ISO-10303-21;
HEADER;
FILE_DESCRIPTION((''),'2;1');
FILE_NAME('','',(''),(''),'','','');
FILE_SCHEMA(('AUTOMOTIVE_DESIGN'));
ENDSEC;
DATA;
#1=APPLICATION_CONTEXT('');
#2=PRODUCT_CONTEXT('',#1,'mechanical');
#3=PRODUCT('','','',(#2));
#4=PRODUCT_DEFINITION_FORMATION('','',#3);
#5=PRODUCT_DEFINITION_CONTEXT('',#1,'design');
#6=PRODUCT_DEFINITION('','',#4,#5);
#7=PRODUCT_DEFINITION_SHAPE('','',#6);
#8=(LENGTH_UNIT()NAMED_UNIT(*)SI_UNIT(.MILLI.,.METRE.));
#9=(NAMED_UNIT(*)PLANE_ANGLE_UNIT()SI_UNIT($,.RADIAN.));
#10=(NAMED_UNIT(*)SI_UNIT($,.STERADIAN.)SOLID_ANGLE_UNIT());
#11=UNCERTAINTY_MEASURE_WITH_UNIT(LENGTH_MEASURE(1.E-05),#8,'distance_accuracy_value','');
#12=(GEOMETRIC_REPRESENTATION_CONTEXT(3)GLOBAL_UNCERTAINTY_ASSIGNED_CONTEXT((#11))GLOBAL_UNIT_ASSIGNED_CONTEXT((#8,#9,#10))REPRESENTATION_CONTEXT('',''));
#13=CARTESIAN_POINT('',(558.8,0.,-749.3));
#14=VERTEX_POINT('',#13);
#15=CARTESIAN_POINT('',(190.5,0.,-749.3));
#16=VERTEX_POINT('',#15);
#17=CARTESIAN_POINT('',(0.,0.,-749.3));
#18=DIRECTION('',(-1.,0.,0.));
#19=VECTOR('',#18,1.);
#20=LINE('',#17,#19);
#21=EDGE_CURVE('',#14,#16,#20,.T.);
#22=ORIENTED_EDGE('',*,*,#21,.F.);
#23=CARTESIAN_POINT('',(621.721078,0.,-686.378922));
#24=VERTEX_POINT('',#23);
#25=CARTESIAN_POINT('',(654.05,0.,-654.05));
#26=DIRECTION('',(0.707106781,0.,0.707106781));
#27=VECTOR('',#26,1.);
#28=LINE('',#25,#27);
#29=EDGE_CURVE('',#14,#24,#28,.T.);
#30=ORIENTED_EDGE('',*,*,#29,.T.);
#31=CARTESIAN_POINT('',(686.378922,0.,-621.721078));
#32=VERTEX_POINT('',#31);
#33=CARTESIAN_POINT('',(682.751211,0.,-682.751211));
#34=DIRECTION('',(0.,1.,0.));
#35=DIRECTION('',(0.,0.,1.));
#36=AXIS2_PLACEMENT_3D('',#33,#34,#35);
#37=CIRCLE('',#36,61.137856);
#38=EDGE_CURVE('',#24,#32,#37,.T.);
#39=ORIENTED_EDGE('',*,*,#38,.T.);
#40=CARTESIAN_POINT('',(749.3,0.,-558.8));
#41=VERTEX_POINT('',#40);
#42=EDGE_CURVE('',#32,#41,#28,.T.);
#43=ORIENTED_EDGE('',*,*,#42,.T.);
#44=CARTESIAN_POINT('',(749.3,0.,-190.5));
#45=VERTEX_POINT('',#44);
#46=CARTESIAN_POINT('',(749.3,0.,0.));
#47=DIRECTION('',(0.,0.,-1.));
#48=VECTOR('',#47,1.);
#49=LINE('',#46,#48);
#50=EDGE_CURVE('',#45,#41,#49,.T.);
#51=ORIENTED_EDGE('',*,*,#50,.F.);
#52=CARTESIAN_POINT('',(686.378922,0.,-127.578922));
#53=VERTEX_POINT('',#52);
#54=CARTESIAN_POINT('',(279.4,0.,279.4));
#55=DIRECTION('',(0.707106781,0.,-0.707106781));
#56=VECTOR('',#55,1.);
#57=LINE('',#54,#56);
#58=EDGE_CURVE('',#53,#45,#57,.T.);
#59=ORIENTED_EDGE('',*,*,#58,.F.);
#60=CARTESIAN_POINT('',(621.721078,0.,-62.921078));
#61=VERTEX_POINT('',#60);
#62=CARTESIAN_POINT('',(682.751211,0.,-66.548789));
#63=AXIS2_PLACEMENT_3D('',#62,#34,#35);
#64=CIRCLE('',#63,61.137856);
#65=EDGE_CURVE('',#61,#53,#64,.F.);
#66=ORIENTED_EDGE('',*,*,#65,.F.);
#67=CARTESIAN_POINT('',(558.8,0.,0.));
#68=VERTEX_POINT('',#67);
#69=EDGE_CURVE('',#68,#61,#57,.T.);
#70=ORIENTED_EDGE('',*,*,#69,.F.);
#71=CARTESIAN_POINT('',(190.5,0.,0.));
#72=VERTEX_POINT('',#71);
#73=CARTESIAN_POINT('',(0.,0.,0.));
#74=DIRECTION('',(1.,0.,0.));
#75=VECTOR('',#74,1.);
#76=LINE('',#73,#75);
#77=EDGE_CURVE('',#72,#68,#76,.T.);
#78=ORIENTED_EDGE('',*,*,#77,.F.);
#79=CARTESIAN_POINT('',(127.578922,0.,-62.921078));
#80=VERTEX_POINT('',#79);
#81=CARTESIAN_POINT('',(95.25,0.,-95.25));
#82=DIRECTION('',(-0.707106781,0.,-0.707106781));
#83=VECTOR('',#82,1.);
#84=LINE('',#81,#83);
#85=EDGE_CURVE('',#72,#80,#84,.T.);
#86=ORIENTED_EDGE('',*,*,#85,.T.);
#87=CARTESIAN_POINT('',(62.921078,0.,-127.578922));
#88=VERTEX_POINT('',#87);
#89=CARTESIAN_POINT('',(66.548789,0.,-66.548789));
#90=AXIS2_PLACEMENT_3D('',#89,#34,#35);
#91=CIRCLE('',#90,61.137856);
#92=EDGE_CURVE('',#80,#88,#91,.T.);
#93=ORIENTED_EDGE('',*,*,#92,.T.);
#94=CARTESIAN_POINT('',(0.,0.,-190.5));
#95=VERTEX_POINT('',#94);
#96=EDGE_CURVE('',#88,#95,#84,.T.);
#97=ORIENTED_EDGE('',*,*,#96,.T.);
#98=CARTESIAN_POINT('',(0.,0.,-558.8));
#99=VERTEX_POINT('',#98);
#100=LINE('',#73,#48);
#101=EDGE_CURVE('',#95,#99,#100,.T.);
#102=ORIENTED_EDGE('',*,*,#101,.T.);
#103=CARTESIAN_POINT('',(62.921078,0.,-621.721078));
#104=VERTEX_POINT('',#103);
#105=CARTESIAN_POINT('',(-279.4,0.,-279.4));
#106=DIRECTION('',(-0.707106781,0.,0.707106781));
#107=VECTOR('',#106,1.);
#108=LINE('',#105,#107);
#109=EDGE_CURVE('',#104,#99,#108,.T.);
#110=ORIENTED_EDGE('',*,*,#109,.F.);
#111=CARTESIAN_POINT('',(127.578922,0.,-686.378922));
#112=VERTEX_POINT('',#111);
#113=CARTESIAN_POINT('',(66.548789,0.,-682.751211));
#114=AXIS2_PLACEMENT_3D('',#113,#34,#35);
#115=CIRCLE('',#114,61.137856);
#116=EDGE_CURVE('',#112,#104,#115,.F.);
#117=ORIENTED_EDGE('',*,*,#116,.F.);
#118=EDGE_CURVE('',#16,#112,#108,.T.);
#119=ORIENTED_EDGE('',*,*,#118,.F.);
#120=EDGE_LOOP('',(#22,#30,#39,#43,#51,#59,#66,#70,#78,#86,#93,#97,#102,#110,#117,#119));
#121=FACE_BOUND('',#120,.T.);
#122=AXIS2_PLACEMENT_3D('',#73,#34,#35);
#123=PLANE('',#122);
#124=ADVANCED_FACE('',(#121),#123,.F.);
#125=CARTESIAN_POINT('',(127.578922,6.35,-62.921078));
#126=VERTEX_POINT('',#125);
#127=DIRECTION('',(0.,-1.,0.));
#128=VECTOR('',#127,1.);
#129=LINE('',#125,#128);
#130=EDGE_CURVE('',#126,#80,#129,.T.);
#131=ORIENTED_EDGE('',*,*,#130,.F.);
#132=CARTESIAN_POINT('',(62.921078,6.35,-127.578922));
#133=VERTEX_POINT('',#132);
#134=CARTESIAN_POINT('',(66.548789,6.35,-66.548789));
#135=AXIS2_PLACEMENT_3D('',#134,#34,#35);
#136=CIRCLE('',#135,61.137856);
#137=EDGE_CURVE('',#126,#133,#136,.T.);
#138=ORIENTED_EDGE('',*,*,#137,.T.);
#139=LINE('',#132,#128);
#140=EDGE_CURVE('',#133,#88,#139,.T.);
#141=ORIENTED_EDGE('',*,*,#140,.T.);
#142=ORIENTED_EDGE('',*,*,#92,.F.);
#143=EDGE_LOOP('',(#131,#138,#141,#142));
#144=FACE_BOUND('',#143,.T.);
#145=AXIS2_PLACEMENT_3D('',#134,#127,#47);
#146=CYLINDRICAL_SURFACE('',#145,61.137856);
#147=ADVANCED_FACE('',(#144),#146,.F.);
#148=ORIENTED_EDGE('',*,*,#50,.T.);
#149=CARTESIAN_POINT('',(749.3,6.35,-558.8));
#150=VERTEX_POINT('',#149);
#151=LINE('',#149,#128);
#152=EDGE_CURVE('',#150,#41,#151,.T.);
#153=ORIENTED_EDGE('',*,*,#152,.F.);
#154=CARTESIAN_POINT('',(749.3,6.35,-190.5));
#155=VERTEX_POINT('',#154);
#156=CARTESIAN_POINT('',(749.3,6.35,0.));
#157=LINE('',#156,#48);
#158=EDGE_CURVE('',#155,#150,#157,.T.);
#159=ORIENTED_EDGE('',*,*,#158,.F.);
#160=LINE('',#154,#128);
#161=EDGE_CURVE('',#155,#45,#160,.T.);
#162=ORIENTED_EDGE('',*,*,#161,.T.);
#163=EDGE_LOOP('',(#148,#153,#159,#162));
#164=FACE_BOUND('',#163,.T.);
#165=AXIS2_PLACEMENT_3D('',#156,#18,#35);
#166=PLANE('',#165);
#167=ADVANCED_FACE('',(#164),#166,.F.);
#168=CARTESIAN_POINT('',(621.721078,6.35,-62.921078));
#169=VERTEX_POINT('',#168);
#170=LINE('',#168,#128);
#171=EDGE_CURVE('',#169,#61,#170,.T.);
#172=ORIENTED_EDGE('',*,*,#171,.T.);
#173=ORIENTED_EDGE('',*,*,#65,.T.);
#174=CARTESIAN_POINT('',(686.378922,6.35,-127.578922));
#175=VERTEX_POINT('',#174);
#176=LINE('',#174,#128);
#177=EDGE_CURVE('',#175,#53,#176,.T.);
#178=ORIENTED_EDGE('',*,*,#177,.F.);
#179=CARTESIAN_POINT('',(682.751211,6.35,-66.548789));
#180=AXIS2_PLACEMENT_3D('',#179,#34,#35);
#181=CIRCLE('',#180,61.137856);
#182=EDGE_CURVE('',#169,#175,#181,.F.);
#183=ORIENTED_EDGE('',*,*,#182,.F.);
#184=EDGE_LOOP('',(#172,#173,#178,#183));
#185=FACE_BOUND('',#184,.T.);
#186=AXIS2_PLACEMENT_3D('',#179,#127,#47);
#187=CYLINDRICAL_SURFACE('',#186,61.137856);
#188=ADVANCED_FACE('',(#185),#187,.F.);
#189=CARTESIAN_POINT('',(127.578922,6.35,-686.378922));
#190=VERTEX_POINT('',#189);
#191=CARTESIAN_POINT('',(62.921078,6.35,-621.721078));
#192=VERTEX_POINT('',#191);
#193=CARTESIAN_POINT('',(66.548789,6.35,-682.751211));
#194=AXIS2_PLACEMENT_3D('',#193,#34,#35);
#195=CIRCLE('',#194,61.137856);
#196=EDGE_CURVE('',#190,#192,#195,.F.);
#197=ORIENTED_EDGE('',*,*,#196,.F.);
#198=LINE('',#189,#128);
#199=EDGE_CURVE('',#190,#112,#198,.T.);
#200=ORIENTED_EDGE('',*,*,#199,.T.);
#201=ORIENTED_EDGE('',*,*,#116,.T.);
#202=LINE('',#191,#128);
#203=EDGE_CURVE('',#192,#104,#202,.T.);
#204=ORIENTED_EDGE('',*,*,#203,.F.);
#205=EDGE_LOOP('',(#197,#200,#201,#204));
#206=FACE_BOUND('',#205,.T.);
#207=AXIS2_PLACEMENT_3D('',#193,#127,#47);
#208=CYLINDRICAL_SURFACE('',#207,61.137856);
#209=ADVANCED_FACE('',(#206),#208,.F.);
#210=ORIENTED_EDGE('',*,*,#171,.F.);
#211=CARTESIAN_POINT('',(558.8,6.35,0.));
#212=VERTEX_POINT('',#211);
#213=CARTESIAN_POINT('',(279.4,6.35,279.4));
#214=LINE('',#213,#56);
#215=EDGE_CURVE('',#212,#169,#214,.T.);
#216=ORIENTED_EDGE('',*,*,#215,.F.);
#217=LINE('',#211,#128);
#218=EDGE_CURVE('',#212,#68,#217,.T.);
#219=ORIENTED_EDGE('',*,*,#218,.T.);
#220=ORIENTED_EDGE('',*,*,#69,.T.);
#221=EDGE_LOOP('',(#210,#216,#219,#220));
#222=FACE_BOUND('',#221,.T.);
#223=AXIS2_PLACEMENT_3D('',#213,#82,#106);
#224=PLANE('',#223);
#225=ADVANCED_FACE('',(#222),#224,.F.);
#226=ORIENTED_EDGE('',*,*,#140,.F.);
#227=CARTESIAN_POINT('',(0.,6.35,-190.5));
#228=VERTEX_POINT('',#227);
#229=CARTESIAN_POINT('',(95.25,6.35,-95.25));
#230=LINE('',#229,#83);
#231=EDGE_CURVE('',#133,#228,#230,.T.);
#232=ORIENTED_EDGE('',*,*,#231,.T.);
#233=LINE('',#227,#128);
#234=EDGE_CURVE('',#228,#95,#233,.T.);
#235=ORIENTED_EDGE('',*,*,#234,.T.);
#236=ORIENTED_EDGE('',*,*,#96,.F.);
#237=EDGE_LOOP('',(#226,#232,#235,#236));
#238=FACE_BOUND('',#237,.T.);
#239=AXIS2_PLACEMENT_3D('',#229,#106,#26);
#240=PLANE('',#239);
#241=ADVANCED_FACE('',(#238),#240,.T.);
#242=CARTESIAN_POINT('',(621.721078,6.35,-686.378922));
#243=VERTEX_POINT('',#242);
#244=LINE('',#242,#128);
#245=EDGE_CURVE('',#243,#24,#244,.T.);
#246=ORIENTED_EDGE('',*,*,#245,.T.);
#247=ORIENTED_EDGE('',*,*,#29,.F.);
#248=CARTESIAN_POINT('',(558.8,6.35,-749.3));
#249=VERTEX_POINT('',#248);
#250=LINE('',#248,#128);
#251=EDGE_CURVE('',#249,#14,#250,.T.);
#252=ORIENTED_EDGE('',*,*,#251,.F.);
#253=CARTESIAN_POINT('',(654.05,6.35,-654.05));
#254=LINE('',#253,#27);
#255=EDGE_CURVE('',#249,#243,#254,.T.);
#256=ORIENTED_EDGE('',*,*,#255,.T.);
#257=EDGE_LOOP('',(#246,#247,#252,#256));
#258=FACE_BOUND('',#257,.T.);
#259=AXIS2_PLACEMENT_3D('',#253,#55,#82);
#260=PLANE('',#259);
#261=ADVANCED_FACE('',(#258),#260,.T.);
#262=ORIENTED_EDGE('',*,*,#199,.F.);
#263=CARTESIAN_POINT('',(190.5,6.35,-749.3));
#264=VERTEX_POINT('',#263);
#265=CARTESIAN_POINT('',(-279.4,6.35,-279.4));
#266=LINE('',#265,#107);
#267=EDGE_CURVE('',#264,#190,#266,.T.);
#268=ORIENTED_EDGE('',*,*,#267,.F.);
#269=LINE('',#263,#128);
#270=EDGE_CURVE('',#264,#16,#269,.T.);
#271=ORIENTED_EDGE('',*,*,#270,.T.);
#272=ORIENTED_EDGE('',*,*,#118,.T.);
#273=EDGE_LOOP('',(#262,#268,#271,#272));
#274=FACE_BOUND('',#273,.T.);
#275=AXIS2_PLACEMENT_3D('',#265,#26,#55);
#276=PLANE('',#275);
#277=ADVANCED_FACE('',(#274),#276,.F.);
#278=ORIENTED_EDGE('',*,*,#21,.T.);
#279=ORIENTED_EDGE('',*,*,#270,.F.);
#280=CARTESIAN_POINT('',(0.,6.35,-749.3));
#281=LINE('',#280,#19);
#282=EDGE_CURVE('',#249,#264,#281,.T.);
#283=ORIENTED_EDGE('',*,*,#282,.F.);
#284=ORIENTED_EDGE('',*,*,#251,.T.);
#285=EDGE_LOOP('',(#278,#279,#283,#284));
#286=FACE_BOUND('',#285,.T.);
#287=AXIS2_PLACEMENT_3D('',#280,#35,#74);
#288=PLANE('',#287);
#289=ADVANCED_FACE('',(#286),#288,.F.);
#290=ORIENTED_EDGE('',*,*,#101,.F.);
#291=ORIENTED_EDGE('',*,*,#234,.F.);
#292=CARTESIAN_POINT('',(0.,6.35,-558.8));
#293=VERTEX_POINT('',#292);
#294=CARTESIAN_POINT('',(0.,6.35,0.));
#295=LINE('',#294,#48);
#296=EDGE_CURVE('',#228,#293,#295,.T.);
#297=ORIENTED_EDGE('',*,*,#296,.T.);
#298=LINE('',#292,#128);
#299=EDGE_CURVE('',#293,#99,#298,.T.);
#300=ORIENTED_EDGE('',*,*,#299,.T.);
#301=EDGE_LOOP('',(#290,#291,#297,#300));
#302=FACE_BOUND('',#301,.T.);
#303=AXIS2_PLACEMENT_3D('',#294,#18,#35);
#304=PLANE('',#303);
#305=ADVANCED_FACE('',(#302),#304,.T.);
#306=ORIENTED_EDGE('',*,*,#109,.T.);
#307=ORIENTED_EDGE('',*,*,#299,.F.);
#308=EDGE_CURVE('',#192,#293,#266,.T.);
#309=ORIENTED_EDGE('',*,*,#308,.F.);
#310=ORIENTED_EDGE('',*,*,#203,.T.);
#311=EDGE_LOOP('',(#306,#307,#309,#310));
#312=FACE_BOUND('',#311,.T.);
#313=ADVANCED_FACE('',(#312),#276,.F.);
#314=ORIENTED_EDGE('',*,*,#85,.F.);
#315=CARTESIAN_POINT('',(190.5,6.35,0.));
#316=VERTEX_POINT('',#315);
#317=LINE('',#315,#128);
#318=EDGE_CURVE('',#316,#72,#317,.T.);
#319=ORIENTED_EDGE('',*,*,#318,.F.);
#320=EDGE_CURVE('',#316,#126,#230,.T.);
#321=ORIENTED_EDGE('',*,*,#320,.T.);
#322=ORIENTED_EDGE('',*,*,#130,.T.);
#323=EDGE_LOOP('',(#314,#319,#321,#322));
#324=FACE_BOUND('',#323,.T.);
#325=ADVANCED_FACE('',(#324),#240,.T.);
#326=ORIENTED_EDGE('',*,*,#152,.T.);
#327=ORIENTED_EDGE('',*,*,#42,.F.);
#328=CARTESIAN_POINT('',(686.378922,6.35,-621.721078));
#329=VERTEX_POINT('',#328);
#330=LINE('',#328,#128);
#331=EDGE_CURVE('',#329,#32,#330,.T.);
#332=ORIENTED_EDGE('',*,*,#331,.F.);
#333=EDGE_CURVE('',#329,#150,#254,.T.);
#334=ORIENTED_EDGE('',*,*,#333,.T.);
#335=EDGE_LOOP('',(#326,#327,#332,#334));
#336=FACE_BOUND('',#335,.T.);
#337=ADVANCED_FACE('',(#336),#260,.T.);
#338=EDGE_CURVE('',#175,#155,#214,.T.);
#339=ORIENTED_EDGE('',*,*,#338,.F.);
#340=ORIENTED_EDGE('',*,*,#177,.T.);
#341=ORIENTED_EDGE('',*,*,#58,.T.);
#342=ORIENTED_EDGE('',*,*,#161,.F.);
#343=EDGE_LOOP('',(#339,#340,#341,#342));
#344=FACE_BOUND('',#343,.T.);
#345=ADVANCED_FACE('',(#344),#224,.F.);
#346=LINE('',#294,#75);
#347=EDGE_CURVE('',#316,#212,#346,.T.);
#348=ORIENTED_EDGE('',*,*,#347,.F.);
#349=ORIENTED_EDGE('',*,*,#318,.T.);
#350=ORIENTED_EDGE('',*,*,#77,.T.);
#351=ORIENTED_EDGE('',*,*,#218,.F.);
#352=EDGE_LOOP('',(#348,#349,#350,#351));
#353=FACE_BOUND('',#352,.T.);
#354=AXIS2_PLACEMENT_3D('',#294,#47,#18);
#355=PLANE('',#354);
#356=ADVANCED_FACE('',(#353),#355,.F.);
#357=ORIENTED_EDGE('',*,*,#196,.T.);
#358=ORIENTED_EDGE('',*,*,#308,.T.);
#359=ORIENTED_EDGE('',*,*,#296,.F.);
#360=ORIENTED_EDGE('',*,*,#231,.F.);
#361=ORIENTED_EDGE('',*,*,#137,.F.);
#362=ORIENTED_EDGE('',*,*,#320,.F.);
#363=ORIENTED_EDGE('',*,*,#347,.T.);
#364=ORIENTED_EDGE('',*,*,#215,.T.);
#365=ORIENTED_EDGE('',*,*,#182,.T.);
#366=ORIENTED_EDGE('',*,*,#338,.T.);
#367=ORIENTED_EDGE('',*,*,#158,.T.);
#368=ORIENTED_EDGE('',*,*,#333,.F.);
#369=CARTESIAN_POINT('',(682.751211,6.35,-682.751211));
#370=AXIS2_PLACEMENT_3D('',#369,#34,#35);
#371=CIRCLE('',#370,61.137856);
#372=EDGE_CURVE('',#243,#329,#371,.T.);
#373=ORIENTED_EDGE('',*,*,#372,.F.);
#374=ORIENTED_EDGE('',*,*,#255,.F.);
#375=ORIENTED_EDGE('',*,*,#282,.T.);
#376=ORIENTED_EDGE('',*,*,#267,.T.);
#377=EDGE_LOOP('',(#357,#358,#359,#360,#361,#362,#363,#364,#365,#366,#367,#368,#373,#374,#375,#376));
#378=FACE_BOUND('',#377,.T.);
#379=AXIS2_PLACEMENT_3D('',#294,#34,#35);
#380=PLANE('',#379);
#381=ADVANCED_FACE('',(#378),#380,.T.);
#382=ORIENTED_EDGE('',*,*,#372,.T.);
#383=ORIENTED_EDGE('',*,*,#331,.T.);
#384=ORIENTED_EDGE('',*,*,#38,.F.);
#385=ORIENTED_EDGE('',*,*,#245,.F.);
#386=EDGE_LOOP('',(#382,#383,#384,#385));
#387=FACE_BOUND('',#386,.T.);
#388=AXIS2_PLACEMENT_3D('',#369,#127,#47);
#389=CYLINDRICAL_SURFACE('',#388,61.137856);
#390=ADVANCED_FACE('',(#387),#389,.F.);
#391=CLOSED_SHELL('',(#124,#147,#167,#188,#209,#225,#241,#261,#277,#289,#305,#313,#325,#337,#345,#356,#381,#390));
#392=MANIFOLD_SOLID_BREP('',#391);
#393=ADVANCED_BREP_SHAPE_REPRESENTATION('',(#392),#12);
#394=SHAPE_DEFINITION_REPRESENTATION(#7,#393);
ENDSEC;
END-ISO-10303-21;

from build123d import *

# Parameters (mm, degrees)
BOSS_EXTRUDE1_DEPTH = 6.35


with BuildPart() as part:
    # Sketch1 → Boss-Extrude1 (new body)
    with BuildSketch(Plane(origin=(0, 0, 0), x_dir=(1, 0, 0), z_dir=(0, 1, 0))):
        with BuildLine():
            Line((127.578922036, 62.921077964), (190.5, 0))
            Line((190.5, 0), (558.8, 0))
            Line((558.8, 0), (621.721077964, 62.921077964))
            ThreePointArc((621.721077964, 62.921077964), (639.520218393, 109.779781607), (686.378922036, 127.578922036))
            Line((686.378922036, 127.578922036), (749.3, 190.5))
            Line((749.3, 190.5), (749.3, 558.8))
            Line((749.3, 558.8), (686.378922036, 621.721077964))
            ThreePointArc((686.378922036, 621.721077964), (639.520218393, 639.520218393), (621.721077964, 686.378922036))
            Line((621.721077964, 686.378922036), (558.8, 749.3))
            Line((558.8, 749.3), (190.5, 749.3))
            Line((190.5, 749.3), (127.578922036, 686.378922036))
            ThreePointArc((127.578922036, 686.378922036), (109.779781607, 639.520218393), (62.921077964, 621.721077964))
            Line((62.921077964, 621.721077964), (0, 558.8))
            Line((0, 558.8), (0, 190.5))
            Line((0, 190.5), (62.921077964, 127.578922036))
            ThreePointArc((62.921077964, 127.578922036), (109.779781607, 109.779781607), (127.578922036, 62.921077964))
        make_face()
    extrude(amount=BOSS_EXTRUDE1_DEPTH)


solid = part.part
